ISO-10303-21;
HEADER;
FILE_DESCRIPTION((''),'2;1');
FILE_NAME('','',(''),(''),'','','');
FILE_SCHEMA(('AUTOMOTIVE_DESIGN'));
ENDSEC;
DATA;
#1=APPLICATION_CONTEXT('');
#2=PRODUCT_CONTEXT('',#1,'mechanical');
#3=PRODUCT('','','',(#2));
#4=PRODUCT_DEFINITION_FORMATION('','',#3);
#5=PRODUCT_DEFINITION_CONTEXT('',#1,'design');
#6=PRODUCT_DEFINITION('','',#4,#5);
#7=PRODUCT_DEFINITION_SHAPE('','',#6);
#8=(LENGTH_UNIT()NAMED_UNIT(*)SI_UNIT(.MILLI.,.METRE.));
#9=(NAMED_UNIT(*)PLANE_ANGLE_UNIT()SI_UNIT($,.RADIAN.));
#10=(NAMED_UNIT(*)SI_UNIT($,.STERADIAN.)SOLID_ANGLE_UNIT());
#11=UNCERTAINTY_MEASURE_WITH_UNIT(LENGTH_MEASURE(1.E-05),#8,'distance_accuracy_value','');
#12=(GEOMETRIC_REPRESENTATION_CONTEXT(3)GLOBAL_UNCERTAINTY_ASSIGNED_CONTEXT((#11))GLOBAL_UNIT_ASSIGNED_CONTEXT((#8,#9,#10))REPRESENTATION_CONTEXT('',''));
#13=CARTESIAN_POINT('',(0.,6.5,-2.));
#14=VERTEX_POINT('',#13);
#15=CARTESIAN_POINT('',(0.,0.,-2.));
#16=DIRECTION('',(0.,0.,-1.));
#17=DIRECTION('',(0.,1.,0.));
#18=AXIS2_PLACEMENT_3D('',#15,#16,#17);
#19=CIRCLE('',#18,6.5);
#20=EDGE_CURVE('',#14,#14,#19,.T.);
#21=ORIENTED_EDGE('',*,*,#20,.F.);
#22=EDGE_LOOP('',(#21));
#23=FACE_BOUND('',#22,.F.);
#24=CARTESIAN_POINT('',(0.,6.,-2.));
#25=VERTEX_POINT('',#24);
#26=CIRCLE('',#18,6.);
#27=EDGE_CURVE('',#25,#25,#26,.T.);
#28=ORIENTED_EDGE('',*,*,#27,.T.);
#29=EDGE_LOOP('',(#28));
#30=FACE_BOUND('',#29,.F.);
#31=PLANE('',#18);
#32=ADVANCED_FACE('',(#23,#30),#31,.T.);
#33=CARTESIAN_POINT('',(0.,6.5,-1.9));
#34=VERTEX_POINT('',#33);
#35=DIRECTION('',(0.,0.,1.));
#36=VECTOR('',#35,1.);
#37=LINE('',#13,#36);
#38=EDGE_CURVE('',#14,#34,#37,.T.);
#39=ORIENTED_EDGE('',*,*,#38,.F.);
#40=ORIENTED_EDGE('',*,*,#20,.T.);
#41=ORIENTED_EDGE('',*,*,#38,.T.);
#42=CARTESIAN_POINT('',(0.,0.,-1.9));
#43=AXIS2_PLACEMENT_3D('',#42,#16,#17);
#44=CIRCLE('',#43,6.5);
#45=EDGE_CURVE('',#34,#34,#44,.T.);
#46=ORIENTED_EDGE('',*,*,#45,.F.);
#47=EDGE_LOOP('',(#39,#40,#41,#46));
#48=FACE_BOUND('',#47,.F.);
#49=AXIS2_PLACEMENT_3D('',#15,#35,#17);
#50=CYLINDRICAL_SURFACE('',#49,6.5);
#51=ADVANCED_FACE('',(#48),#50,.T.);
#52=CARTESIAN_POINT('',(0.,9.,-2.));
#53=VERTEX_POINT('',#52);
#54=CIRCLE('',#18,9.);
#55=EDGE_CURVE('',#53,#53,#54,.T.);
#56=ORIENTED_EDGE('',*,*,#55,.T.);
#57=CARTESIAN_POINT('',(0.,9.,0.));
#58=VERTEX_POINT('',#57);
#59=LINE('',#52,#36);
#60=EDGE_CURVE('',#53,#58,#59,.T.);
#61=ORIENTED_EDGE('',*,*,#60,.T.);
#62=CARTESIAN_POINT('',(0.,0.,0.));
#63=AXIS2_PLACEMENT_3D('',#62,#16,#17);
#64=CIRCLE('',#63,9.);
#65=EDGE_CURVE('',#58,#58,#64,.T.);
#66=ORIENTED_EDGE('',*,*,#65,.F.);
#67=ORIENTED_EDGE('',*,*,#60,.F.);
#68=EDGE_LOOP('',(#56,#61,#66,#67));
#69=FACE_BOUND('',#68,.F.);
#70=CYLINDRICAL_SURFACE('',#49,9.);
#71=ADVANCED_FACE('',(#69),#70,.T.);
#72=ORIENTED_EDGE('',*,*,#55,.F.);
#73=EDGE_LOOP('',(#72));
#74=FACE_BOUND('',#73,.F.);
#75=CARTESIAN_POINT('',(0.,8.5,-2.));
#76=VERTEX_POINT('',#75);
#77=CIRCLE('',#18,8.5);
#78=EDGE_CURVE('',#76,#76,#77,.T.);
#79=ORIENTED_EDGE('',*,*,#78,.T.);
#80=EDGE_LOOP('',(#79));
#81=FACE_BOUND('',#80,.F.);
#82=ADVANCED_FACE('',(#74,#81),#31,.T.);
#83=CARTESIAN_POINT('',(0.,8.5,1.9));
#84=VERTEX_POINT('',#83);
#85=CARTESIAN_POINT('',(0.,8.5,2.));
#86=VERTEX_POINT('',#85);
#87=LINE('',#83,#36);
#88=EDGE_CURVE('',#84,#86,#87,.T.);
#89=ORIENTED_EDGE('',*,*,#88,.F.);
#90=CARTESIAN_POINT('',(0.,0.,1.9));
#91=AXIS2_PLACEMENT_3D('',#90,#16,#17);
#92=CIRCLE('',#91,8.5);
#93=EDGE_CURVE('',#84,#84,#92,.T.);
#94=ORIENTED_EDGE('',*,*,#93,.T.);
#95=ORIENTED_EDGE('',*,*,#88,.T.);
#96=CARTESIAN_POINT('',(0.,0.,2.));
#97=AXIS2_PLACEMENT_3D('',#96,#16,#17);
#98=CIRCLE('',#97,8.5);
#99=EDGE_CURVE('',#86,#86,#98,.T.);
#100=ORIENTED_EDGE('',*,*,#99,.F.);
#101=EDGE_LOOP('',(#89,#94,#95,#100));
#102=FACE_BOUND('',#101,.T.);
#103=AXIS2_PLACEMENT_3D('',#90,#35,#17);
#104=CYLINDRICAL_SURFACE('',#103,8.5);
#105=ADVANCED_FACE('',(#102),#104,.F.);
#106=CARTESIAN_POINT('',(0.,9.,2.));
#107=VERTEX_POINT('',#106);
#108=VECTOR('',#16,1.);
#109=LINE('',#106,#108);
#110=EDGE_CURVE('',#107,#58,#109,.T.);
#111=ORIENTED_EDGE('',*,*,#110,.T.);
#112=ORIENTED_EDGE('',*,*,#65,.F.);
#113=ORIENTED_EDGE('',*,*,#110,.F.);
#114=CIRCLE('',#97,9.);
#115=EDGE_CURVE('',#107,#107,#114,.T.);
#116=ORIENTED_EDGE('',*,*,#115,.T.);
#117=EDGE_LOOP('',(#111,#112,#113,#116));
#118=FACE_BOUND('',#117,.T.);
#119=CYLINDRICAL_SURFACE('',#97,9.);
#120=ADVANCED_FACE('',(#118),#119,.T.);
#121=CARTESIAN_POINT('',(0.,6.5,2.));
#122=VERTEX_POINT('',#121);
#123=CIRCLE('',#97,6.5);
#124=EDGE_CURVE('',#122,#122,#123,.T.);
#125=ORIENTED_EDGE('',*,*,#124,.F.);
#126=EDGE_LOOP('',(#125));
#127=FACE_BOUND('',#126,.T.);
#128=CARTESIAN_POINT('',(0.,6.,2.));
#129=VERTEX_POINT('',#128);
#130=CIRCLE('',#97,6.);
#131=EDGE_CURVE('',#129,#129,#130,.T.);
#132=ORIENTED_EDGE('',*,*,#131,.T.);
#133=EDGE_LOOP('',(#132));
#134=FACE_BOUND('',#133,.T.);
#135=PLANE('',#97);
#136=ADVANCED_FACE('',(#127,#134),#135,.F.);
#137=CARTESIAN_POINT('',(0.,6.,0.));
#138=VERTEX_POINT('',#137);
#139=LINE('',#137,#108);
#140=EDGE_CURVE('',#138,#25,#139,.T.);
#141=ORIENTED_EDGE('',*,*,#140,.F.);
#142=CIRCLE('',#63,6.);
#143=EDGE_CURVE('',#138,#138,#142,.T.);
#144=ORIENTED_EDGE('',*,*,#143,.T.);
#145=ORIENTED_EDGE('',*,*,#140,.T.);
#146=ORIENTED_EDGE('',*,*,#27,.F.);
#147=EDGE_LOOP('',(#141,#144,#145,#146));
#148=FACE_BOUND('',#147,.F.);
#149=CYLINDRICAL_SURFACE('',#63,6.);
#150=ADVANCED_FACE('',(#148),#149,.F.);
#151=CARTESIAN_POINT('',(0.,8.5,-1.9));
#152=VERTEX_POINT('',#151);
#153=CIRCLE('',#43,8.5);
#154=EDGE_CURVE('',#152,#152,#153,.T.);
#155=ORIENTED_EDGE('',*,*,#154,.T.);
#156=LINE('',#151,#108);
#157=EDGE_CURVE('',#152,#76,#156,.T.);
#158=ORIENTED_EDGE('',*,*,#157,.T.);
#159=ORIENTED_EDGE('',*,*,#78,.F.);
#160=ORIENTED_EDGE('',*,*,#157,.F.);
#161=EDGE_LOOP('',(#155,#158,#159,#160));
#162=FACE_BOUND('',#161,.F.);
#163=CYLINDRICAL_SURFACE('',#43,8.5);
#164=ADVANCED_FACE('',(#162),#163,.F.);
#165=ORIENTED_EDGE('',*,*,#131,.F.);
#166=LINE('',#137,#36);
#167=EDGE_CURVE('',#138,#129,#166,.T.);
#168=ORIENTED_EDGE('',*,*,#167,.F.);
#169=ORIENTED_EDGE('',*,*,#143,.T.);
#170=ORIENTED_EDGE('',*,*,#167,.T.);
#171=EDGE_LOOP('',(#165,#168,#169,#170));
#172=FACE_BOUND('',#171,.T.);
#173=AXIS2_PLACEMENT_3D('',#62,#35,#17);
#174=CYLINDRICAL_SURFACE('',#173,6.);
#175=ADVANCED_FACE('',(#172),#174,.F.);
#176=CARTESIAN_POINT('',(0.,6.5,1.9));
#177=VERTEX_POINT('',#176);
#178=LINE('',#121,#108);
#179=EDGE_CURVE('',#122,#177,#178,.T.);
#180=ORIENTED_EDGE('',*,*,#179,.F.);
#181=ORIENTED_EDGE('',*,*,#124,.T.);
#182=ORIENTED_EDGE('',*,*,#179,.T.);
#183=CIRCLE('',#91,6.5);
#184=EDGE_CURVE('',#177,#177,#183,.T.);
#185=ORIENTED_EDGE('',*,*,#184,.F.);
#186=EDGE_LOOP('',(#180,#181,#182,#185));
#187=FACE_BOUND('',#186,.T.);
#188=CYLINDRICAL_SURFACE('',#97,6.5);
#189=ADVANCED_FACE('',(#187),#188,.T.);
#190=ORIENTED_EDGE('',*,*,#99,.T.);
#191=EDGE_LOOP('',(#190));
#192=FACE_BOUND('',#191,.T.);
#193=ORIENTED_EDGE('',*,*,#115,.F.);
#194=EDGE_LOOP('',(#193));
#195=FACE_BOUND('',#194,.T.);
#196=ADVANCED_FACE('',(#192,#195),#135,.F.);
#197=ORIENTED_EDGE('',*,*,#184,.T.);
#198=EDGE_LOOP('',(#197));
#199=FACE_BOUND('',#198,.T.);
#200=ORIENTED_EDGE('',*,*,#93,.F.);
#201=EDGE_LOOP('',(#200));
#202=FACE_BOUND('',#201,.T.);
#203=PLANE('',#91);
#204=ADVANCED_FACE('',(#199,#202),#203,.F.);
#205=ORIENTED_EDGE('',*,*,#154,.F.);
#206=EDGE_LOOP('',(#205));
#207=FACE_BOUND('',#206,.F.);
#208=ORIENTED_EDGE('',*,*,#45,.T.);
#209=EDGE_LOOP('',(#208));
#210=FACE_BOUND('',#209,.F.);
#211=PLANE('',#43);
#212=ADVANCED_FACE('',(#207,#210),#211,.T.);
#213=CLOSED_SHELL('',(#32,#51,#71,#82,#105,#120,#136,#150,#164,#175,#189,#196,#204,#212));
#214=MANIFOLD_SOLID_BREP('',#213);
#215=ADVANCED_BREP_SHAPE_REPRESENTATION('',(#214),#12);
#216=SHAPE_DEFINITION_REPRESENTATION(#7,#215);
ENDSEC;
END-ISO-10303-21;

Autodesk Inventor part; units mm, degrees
ref_plane "YZ Plane" through (0, 0, 0) normal (1, 0, 0) x (0, 1, 0)
ref_plane "XZ Plane" through (0, 0, 0) normal (0, 1, 0) x (-1, 0, 0)
ref_plane "XY Plane" through (0, 0, 0) normal (0, 0, 1) x (1, 0, 0)
sketch "Sketch1" plane through (0, 0, 0) normal (1, 0, 0) x (0, 1, 0)
  line L0 (0, 0) -> (0, -2.1848) construction
  line L1 (0, 0) -> (6, 0) construction
  line L2 (6, 0) -> (6, -2)
  line L3 (6, -2) -> (6.5, -2)
  line L4 (6.5, -2) -> (6.5, -1.9)
  line L5 (6.5, -1.9) -> (8.5, -1.9)
  line L6 (8.5, -1.9) -> (8.5, -2)
  line L7 (8.5, -2) -> (9, -2)
  line L8 (9, -2) -> (9, 0)
  line L9 (9, 0) -> (6, 0) construction
  line L10 (6, 0) -> (6, 2)
  line L11 (6, 2) -> (6.5, 2)
  line L12 (6.5, 2) -> (6.5, 1.9)
  line L13 (6.5, 1.9) -> (8.5, 1.9)
  line L14 (8.5, 1.9) -> (8.5, 2)
  line L15 (8.5, 2) -> (9, 2)
  line L16 (9, 2) -> (9, 0)
  dimension "d0" = 6
  dimension "d1" = 9
  dimension "d2" = 0.1
  dimension "d3" = 2
  dimension "d6" = 4
revolve "Revolution1" add sketch "Sketch1" angle 360 about axis through (0, 0, 0) along (0, 0, -1)
properties part number "6701 bearing"
